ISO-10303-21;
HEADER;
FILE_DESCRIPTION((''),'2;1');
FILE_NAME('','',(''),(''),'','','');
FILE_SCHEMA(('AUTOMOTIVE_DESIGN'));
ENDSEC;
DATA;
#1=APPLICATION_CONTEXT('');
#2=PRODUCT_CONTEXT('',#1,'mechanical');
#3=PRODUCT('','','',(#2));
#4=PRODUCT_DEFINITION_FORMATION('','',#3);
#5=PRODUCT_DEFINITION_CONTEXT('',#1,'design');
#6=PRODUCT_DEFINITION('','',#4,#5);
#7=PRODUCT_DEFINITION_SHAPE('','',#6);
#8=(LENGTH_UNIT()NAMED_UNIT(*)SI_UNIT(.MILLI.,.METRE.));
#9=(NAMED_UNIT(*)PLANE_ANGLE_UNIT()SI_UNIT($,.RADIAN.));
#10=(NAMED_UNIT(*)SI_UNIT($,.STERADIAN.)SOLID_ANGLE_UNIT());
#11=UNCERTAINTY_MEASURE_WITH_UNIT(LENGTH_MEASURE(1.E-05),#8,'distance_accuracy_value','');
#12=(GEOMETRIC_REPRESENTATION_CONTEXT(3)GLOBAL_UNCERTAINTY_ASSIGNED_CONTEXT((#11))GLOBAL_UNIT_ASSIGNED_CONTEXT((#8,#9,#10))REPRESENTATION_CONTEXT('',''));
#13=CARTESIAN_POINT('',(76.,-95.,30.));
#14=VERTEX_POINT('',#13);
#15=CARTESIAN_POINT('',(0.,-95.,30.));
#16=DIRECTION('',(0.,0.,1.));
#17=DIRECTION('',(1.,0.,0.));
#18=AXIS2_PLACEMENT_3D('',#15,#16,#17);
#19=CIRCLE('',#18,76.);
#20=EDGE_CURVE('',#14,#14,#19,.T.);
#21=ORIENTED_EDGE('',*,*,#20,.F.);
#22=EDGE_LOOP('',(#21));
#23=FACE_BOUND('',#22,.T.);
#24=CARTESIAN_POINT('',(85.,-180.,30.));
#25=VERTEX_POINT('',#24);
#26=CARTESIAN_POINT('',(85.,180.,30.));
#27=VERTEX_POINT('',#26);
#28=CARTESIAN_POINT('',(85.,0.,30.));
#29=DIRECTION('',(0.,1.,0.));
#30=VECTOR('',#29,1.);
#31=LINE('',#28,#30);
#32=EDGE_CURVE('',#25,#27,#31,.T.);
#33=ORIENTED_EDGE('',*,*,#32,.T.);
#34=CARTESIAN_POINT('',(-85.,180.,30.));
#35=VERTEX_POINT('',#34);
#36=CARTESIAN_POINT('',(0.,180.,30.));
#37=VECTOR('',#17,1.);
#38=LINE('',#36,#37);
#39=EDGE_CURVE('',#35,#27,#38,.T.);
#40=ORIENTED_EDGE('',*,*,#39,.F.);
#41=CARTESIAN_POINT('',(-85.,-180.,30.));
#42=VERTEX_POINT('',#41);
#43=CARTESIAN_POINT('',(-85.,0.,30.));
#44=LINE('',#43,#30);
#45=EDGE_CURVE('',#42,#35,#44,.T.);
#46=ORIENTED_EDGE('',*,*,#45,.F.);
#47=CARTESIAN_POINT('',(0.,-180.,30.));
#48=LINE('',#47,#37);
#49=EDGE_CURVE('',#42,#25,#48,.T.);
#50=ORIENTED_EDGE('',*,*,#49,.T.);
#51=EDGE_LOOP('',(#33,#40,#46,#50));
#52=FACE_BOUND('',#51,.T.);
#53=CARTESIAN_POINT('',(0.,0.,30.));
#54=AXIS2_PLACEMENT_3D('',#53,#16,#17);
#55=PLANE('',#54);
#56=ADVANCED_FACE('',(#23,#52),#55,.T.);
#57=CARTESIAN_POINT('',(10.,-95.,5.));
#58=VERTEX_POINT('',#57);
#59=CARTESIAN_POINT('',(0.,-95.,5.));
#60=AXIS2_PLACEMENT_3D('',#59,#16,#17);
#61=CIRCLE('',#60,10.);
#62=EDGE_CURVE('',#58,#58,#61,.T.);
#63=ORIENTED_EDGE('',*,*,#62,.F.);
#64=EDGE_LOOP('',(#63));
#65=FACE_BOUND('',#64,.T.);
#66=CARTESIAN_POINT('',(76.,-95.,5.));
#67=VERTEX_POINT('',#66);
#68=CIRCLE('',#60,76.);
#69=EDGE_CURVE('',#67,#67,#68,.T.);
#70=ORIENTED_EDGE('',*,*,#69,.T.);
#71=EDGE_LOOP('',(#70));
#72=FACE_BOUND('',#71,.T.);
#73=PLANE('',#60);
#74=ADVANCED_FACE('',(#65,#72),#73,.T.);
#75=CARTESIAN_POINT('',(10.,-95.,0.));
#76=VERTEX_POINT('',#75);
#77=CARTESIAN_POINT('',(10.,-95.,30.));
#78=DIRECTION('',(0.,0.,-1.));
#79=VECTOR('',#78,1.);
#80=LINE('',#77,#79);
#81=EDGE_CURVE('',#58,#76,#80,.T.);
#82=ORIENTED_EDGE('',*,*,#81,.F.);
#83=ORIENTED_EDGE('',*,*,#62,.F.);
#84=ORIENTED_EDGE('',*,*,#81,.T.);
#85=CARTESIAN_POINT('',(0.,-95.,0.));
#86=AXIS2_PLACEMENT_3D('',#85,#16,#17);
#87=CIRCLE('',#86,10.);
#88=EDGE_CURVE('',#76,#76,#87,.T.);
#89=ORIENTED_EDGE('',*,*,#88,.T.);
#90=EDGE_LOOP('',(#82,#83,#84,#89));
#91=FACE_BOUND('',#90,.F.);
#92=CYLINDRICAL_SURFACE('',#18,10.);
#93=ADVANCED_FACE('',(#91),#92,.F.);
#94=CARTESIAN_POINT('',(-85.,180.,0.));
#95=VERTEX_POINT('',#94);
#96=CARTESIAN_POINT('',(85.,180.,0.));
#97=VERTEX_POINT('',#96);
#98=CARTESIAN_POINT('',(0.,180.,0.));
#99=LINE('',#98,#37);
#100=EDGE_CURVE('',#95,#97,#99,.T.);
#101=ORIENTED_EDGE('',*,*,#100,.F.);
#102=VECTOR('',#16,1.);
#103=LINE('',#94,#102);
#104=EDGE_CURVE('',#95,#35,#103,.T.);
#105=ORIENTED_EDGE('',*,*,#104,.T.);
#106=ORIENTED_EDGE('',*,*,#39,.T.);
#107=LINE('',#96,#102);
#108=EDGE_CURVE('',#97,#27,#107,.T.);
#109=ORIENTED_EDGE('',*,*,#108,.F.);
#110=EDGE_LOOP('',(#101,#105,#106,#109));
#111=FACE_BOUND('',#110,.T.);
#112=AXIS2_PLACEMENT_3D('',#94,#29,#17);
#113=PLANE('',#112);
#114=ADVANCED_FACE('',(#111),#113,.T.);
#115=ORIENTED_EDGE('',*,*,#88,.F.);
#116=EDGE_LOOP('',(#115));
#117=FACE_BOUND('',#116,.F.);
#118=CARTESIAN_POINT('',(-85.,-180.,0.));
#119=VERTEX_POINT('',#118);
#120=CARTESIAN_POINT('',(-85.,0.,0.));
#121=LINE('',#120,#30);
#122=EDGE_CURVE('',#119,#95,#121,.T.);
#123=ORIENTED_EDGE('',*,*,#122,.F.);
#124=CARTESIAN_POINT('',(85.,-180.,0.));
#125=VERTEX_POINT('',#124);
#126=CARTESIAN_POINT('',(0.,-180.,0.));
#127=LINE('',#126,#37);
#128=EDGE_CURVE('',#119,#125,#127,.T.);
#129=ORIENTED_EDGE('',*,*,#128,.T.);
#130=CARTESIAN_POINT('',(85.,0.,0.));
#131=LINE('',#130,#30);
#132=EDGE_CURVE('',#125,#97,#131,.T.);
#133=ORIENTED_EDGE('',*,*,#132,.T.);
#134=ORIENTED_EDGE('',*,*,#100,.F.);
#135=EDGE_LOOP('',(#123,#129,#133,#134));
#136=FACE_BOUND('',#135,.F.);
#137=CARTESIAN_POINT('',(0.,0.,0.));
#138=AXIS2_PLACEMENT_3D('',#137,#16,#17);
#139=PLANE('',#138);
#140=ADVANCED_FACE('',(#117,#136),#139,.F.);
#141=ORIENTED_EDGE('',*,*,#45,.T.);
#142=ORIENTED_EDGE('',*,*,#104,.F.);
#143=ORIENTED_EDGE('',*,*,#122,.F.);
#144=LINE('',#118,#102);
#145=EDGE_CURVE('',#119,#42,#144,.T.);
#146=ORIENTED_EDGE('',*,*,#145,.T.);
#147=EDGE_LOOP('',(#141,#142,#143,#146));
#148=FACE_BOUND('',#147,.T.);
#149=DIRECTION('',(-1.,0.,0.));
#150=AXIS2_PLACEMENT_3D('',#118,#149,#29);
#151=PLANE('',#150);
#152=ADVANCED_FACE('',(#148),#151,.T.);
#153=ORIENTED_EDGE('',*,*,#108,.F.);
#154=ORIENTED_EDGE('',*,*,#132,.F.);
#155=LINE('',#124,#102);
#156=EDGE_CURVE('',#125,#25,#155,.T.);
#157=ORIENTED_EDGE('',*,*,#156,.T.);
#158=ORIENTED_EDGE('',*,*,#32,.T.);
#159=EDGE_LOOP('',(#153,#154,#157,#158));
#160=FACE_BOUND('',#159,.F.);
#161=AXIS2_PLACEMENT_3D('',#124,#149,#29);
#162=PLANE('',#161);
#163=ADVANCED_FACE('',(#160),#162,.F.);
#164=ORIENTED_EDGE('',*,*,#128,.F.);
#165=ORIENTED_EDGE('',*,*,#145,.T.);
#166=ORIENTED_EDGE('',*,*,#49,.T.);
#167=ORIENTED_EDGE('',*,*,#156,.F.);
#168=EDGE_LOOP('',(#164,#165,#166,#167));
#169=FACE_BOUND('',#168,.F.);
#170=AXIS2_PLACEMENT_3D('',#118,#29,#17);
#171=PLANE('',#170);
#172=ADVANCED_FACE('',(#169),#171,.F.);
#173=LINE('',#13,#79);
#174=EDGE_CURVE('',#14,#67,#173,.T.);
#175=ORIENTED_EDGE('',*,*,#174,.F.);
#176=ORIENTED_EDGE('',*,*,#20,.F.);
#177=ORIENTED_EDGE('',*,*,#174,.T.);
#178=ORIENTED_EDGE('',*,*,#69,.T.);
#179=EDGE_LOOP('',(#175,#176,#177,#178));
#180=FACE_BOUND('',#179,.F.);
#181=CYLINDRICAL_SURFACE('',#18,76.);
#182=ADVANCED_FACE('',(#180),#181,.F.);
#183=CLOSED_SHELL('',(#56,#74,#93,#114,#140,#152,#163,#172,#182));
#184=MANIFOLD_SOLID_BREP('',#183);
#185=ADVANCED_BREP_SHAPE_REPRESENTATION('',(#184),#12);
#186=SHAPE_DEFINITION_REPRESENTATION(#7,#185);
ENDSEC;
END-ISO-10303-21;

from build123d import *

# Parameters (mm, degrees)
F0_W     = 170
F0_H     = 360
F1_DEPTH = 30
F2_R     = 10
F3_DEPTH = 30.001
F4_R     = 76
F4_R_2   = 10
F5_DEPTH = 25


with BuildPart() as f1:
    # F0 (on Top) → F1 (new body)
    with BuildSketch(Plane.XY):
        Rectangle(F0_W, F0_H)
    extrude(amount=F1_DEPTH)

    # F2 (on face) → F3 (cut, through all)
    with BuildSketch(Plane.XY.offset(30)):
        with Locations((0, -95)):
            Circle(F2_R)
    extrude(amount=-F3_DEPTH, mode=Mode.SUBTRACT)

    # F4 (on face) → F5 (cut)
    with BuildSketch(Plane.XY.offset(30)):
        with Locations((0, -95)):
            Circle(F4_R)
        with Locations((0, -95)):
            Circle(F4_R)
        with Locations((0, -95)):
            Circle(F4_R_2, mode=Mode.SUBTRACT)
    extrude(amount=-F5_DEPTH, mode=Mode.SUBTRACT)


solid = f1.part
